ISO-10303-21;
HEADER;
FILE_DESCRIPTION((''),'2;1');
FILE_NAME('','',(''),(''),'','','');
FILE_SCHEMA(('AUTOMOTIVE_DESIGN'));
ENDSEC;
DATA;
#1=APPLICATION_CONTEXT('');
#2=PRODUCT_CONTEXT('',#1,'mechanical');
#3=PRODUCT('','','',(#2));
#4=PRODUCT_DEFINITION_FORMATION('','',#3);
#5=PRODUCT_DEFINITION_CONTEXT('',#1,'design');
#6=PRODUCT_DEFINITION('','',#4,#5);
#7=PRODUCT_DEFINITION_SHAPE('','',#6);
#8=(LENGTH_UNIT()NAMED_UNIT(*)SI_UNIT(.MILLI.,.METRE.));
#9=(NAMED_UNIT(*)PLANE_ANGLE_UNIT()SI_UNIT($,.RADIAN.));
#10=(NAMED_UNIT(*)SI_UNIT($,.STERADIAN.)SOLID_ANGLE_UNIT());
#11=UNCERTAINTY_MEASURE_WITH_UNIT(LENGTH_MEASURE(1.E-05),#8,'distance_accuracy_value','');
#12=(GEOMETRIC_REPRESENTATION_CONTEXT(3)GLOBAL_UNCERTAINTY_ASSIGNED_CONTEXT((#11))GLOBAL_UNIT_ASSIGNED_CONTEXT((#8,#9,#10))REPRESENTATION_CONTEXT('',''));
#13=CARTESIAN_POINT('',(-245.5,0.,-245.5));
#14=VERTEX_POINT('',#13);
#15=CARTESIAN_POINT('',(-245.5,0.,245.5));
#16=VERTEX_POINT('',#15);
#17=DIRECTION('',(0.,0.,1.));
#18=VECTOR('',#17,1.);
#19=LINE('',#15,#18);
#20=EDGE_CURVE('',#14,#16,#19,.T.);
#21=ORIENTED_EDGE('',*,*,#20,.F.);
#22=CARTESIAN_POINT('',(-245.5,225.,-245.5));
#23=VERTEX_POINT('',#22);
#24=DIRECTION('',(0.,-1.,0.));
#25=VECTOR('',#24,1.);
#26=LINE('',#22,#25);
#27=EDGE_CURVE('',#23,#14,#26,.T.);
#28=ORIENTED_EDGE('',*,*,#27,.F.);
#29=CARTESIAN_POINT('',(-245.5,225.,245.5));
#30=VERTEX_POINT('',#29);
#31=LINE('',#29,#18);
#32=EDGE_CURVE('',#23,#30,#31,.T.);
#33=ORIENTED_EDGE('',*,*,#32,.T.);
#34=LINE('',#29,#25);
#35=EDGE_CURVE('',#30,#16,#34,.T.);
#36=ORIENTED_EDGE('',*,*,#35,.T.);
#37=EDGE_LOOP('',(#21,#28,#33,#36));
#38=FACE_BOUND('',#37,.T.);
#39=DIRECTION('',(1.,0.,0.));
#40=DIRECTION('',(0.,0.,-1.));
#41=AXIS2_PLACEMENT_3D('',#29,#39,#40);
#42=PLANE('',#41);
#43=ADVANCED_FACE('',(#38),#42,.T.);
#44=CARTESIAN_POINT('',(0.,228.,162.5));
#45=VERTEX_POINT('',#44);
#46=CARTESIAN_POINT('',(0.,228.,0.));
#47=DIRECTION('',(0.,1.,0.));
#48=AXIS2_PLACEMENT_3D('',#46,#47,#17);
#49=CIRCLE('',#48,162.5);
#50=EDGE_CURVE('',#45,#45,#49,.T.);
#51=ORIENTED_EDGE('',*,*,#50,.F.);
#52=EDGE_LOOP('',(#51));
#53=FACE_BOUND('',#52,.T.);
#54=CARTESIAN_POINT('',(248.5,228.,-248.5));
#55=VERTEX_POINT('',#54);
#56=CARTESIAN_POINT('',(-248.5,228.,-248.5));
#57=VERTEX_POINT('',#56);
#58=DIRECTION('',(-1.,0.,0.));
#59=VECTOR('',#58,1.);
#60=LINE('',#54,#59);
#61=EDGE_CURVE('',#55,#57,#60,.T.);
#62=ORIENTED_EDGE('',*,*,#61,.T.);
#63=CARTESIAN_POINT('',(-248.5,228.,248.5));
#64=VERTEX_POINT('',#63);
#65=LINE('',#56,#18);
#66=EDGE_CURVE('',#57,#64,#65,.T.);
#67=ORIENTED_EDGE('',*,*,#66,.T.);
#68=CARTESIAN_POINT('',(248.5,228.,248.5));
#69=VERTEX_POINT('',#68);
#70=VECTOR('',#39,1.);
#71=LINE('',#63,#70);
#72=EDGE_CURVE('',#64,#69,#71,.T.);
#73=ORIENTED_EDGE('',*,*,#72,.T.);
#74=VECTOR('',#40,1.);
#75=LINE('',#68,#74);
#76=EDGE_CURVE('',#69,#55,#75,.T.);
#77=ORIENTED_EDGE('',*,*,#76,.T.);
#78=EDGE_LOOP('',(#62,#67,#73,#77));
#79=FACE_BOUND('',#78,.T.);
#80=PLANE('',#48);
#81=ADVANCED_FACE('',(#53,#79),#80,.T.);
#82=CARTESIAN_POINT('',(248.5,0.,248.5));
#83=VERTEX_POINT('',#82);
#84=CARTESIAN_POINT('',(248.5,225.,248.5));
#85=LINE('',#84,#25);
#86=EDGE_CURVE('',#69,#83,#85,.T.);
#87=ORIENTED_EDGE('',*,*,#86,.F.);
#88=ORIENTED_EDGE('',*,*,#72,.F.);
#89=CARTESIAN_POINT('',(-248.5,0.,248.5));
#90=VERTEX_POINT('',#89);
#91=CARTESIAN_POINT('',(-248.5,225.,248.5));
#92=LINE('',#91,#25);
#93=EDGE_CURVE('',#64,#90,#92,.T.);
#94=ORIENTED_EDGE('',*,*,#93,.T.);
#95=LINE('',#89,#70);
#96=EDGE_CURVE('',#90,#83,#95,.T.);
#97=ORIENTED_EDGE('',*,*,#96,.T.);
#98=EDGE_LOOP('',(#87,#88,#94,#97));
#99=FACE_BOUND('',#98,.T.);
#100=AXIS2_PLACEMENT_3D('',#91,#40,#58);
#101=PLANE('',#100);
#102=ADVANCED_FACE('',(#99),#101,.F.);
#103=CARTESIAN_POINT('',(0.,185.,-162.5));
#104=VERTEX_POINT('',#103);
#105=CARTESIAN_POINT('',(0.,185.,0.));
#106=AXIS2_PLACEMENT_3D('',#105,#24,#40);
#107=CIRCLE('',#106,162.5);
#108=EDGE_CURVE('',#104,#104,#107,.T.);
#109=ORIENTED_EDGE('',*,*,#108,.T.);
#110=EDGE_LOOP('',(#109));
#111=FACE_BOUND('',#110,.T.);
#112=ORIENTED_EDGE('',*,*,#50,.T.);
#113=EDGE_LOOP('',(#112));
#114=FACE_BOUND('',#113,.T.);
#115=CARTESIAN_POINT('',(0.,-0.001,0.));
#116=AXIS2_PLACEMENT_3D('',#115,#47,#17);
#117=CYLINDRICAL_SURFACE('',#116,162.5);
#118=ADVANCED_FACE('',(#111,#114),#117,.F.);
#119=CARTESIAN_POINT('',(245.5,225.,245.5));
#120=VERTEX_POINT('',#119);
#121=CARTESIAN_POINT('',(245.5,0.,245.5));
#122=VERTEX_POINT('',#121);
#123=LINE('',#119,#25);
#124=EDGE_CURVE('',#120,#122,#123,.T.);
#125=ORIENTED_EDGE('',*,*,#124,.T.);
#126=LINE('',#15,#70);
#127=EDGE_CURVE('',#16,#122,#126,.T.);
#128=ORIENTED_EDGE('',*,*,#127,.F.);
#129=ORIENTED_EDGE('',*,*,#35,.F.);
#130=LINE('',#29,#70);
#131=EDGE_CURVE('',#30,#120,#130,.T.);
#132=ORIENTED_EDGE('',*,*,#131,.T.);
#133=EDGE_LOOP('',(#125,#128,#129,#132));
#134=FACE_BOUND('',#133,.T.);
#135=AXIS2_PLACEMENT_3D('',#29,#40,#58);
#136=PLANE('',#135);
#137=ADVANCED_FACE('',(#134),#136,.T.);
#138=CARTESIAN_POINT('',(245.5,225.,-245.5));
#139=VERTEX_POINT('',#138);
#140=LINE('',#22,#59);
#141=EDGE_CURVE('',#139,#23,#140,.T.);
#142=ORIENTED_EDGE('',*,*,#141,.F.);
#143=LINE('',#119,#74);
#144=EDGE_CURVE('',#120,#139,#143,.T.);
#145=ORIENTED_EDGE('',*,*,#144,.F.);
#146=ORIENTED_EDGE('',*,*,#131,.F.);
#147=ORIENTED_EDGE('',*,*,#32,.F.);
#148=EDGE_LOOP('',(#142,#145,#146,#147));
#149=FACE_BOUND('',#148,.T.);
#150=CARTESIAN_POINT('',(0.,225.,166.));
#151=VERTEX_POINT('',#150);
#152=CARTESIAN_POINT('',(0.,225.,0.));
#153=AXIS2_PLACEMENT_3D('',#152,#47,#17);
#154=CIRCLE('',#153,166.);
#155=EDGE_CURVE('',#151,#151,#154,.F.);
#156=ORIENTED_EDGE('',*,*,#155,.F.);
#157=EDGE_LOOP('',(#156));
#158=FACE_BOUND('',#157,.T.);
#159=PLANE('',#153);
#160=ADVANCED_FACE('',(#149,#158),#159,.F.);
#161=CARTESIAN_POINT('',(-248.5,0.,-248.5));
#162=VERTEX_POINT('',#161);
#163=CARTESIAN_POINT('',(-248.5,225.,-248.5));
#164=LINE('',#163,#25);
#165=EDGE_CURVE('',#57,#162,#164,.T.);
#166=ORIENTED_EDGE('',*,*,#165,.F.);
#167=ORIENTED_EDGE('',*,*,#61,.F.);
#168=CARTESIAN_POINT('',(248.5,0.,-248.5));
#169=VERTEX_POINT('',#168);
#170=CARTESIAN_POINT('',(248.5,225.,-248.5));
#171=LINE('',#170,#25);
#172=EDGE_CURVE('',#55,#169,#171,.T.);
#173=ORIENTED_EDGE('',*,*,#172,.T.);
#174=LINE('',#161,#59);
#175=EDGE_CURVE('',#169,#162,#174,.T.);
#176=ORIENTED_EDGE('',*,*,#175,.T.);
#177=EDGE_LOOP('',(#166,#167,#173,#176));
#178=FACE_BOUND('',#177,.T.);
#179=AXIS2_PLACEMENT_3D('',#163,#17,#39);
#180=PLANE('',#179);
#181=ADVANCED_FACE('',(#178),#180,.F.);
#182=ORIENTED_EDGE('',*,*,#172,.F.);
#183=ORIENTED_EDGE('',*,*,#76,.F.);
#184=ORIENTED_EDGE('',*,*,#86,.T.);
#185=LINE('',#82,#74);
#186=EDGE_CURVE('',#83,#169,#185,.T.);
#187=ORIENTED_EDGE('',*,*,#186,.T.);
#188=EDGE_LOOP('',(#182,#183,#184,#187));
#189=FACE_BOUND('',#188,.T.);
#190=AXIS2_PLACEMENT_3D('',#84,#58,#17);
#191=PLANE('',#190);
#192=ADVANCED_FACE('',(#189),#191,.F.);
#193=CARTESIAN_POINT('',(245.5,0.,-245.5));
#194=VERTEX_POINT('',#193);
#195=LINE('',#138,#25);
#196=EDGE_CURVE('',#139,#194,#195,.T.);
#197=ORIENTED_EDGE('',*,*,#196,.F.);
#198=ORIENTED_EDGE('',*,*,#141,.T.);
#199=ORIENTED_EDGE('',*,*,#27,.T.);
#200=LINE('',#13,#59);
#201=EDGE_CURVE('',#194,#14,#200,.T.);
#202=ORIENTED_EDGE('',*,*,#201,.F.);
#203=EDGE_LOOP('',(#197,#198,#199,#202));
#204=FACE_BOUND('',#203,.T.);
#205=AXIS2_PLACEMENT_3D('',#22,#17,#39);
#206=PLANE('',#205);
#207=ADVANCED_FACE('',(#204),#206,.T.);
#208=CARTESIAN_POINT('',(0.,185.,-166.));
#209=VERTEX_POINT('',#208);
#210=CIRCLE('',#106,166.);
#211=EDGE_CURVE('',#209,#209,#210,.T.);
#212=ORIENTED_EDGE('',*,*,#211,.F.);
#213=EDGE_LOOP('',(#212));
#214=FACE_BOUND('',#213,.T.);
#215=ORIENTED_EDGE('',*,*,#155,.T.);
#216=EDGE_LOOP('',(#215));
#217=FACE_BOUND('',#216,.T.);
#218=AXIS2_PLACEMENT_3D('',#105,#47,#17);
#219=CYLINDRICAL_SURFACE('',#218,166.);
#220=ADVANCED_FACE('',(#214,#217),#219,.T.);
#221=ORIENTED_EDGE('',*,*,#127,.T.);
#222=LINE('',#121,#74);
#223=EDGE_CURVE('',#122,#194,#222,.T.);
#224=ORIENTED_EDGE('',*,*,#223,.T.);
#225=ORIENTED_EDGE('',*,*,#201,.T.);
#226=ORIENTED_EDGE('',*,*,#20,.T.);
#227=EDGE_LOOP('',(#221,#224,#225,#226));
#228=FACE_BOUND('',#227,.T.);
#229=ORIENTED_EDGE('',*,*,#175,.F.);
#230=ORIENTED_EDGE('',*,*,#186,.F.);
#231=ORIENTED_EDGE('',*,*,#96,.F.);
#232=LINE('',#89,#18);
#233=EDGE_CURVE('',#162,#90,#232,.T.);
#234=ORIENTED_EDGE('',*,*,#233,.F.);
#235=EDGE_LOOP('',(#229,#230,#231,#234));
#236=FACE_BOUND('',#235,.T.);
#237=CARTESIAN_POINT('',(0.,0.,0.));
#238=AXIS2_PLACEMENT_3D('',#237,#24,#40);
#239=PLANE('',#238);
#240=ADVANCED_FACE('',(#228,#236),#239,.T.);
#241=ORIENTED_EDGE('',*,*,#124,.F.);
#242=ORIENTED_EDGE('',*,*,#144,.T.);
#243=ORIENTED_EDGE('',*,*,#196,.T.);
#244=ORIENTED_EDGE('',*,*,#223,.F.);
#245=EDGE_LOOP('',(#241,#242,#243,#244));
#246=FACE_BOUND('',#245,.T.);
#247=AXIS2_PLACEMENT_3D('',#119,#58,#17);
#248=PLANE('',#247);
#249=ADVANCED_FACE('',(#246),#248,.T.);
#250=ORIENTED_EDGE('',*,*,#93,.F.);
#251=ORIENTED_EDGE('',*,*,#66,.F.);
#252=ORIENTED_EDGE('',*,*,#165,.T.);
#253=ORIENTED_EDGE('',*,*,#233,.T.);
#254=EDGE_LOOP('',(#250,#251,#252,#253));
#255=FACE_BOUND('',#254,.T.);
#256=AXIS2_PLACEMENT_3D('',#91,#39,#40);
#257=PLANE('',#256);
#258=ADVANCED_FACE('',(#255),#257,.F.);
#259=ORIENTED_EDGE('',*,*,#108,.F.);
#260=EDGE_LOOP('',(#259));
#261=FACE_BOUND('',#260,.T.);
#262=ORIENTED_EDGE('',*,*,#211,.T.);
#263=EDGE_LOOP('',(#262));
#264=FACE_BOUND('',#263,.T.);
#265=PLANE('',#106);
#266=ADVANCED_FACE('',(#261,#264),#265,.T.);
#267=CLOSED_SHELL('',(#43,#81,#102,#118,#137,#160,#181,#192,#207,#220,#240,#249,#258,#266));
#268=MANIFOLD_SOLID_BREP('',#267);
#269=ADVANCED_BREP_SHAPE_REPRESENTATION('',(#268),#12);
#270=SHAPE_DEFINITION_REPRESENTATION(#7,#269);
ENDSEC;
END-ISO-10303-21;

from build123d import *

# Parameters (mm, degrees)
SKETCH1_W           = 497
SKETCH1_H           = 497
SKETCH1_W_2         = 491
SKETCH1_H_2         = 491
BOSS_EXTRUDE1_DEPTH = 225
SKETCH2_W           = 497
SKETCH2_H           = 497
BOSS_EXTRUDE2_DEPTH = 3
CUT_EXTRUDE1_REACH  = 420.913
SKETCH3_R           = 162.5
SKETCH4_R           = 166
SKETCH4_R_2         = 162.5
BOSS_EXTRUDE3_DEPTH = 40


with BuildPart() as part:
    # Sketch1 → Boss-Extrude1 (new body)
    with BuildSketch(Plane(origin=(0, 0, 0), x_dir=(1, 0, 0), z_dir=(0, 1, 0))):
        Rectangle(SKETCH1_W, SKETCH1_H)
        Rectangle(SKETCH1_W_2, SKETCH1_H_2, mode=Mode.SUBTRACT)
    extrude(amount=BOSS_EXTRUDE1_DEPTH)

    # Sketch2 → Boss-Extrude2 (add)
    with BuildSketch(Plane(origin=(0, 225, 0), x_dir=(1, 0, 0), z_dir=(0, 1, 0))):
        Rectangle(SKETCH2_W, SKETCH2_H)
    extrude(amount=BOSS_EXTRUDE2_DEPTH)

    # Sketch3 → Cut-Extrude1 (cut, up to next)
    with BuildSketch(Plane(origin=(0, 228, 0), x_dir=(1, 0, 0), z_dir=(0, 1, 0)), mode=Mode.PRIVATE) as cut_extrude1_sk1:
        with Locations(Location((0, 0, 0), (0, 0, 270))):
            Circle(SKETCH3_R)
    cut_extrude1_tool1 = extrude(cut_extrude1_sk1.sketch, amount=-CUT_EXTRUDE1_REACH, mode=Mode.PRIVATE) & part.part
    add(cut_extrude1_tool1.solids().sort_by_distance((0, 228, 0))[0], mode=Mode.SUBTRACT)

    # Sketch4 → Boss-Extrude3 (add)
    with BuildSketch(Plane.XZ.offset(-225)):
        with Locations(Location((0, 0, 0), (0, 0, 90))):
            Circle(SKETCH4_R)
        with Locations(Location((0, 0, 0), (0, 0, 90))):
            Circle(SKETCH4_R_2, mode=Mode.SUBTRACT)
    extrude(amount=BOSS_EXTRUDE3_DEPTH)


solid = part.part
